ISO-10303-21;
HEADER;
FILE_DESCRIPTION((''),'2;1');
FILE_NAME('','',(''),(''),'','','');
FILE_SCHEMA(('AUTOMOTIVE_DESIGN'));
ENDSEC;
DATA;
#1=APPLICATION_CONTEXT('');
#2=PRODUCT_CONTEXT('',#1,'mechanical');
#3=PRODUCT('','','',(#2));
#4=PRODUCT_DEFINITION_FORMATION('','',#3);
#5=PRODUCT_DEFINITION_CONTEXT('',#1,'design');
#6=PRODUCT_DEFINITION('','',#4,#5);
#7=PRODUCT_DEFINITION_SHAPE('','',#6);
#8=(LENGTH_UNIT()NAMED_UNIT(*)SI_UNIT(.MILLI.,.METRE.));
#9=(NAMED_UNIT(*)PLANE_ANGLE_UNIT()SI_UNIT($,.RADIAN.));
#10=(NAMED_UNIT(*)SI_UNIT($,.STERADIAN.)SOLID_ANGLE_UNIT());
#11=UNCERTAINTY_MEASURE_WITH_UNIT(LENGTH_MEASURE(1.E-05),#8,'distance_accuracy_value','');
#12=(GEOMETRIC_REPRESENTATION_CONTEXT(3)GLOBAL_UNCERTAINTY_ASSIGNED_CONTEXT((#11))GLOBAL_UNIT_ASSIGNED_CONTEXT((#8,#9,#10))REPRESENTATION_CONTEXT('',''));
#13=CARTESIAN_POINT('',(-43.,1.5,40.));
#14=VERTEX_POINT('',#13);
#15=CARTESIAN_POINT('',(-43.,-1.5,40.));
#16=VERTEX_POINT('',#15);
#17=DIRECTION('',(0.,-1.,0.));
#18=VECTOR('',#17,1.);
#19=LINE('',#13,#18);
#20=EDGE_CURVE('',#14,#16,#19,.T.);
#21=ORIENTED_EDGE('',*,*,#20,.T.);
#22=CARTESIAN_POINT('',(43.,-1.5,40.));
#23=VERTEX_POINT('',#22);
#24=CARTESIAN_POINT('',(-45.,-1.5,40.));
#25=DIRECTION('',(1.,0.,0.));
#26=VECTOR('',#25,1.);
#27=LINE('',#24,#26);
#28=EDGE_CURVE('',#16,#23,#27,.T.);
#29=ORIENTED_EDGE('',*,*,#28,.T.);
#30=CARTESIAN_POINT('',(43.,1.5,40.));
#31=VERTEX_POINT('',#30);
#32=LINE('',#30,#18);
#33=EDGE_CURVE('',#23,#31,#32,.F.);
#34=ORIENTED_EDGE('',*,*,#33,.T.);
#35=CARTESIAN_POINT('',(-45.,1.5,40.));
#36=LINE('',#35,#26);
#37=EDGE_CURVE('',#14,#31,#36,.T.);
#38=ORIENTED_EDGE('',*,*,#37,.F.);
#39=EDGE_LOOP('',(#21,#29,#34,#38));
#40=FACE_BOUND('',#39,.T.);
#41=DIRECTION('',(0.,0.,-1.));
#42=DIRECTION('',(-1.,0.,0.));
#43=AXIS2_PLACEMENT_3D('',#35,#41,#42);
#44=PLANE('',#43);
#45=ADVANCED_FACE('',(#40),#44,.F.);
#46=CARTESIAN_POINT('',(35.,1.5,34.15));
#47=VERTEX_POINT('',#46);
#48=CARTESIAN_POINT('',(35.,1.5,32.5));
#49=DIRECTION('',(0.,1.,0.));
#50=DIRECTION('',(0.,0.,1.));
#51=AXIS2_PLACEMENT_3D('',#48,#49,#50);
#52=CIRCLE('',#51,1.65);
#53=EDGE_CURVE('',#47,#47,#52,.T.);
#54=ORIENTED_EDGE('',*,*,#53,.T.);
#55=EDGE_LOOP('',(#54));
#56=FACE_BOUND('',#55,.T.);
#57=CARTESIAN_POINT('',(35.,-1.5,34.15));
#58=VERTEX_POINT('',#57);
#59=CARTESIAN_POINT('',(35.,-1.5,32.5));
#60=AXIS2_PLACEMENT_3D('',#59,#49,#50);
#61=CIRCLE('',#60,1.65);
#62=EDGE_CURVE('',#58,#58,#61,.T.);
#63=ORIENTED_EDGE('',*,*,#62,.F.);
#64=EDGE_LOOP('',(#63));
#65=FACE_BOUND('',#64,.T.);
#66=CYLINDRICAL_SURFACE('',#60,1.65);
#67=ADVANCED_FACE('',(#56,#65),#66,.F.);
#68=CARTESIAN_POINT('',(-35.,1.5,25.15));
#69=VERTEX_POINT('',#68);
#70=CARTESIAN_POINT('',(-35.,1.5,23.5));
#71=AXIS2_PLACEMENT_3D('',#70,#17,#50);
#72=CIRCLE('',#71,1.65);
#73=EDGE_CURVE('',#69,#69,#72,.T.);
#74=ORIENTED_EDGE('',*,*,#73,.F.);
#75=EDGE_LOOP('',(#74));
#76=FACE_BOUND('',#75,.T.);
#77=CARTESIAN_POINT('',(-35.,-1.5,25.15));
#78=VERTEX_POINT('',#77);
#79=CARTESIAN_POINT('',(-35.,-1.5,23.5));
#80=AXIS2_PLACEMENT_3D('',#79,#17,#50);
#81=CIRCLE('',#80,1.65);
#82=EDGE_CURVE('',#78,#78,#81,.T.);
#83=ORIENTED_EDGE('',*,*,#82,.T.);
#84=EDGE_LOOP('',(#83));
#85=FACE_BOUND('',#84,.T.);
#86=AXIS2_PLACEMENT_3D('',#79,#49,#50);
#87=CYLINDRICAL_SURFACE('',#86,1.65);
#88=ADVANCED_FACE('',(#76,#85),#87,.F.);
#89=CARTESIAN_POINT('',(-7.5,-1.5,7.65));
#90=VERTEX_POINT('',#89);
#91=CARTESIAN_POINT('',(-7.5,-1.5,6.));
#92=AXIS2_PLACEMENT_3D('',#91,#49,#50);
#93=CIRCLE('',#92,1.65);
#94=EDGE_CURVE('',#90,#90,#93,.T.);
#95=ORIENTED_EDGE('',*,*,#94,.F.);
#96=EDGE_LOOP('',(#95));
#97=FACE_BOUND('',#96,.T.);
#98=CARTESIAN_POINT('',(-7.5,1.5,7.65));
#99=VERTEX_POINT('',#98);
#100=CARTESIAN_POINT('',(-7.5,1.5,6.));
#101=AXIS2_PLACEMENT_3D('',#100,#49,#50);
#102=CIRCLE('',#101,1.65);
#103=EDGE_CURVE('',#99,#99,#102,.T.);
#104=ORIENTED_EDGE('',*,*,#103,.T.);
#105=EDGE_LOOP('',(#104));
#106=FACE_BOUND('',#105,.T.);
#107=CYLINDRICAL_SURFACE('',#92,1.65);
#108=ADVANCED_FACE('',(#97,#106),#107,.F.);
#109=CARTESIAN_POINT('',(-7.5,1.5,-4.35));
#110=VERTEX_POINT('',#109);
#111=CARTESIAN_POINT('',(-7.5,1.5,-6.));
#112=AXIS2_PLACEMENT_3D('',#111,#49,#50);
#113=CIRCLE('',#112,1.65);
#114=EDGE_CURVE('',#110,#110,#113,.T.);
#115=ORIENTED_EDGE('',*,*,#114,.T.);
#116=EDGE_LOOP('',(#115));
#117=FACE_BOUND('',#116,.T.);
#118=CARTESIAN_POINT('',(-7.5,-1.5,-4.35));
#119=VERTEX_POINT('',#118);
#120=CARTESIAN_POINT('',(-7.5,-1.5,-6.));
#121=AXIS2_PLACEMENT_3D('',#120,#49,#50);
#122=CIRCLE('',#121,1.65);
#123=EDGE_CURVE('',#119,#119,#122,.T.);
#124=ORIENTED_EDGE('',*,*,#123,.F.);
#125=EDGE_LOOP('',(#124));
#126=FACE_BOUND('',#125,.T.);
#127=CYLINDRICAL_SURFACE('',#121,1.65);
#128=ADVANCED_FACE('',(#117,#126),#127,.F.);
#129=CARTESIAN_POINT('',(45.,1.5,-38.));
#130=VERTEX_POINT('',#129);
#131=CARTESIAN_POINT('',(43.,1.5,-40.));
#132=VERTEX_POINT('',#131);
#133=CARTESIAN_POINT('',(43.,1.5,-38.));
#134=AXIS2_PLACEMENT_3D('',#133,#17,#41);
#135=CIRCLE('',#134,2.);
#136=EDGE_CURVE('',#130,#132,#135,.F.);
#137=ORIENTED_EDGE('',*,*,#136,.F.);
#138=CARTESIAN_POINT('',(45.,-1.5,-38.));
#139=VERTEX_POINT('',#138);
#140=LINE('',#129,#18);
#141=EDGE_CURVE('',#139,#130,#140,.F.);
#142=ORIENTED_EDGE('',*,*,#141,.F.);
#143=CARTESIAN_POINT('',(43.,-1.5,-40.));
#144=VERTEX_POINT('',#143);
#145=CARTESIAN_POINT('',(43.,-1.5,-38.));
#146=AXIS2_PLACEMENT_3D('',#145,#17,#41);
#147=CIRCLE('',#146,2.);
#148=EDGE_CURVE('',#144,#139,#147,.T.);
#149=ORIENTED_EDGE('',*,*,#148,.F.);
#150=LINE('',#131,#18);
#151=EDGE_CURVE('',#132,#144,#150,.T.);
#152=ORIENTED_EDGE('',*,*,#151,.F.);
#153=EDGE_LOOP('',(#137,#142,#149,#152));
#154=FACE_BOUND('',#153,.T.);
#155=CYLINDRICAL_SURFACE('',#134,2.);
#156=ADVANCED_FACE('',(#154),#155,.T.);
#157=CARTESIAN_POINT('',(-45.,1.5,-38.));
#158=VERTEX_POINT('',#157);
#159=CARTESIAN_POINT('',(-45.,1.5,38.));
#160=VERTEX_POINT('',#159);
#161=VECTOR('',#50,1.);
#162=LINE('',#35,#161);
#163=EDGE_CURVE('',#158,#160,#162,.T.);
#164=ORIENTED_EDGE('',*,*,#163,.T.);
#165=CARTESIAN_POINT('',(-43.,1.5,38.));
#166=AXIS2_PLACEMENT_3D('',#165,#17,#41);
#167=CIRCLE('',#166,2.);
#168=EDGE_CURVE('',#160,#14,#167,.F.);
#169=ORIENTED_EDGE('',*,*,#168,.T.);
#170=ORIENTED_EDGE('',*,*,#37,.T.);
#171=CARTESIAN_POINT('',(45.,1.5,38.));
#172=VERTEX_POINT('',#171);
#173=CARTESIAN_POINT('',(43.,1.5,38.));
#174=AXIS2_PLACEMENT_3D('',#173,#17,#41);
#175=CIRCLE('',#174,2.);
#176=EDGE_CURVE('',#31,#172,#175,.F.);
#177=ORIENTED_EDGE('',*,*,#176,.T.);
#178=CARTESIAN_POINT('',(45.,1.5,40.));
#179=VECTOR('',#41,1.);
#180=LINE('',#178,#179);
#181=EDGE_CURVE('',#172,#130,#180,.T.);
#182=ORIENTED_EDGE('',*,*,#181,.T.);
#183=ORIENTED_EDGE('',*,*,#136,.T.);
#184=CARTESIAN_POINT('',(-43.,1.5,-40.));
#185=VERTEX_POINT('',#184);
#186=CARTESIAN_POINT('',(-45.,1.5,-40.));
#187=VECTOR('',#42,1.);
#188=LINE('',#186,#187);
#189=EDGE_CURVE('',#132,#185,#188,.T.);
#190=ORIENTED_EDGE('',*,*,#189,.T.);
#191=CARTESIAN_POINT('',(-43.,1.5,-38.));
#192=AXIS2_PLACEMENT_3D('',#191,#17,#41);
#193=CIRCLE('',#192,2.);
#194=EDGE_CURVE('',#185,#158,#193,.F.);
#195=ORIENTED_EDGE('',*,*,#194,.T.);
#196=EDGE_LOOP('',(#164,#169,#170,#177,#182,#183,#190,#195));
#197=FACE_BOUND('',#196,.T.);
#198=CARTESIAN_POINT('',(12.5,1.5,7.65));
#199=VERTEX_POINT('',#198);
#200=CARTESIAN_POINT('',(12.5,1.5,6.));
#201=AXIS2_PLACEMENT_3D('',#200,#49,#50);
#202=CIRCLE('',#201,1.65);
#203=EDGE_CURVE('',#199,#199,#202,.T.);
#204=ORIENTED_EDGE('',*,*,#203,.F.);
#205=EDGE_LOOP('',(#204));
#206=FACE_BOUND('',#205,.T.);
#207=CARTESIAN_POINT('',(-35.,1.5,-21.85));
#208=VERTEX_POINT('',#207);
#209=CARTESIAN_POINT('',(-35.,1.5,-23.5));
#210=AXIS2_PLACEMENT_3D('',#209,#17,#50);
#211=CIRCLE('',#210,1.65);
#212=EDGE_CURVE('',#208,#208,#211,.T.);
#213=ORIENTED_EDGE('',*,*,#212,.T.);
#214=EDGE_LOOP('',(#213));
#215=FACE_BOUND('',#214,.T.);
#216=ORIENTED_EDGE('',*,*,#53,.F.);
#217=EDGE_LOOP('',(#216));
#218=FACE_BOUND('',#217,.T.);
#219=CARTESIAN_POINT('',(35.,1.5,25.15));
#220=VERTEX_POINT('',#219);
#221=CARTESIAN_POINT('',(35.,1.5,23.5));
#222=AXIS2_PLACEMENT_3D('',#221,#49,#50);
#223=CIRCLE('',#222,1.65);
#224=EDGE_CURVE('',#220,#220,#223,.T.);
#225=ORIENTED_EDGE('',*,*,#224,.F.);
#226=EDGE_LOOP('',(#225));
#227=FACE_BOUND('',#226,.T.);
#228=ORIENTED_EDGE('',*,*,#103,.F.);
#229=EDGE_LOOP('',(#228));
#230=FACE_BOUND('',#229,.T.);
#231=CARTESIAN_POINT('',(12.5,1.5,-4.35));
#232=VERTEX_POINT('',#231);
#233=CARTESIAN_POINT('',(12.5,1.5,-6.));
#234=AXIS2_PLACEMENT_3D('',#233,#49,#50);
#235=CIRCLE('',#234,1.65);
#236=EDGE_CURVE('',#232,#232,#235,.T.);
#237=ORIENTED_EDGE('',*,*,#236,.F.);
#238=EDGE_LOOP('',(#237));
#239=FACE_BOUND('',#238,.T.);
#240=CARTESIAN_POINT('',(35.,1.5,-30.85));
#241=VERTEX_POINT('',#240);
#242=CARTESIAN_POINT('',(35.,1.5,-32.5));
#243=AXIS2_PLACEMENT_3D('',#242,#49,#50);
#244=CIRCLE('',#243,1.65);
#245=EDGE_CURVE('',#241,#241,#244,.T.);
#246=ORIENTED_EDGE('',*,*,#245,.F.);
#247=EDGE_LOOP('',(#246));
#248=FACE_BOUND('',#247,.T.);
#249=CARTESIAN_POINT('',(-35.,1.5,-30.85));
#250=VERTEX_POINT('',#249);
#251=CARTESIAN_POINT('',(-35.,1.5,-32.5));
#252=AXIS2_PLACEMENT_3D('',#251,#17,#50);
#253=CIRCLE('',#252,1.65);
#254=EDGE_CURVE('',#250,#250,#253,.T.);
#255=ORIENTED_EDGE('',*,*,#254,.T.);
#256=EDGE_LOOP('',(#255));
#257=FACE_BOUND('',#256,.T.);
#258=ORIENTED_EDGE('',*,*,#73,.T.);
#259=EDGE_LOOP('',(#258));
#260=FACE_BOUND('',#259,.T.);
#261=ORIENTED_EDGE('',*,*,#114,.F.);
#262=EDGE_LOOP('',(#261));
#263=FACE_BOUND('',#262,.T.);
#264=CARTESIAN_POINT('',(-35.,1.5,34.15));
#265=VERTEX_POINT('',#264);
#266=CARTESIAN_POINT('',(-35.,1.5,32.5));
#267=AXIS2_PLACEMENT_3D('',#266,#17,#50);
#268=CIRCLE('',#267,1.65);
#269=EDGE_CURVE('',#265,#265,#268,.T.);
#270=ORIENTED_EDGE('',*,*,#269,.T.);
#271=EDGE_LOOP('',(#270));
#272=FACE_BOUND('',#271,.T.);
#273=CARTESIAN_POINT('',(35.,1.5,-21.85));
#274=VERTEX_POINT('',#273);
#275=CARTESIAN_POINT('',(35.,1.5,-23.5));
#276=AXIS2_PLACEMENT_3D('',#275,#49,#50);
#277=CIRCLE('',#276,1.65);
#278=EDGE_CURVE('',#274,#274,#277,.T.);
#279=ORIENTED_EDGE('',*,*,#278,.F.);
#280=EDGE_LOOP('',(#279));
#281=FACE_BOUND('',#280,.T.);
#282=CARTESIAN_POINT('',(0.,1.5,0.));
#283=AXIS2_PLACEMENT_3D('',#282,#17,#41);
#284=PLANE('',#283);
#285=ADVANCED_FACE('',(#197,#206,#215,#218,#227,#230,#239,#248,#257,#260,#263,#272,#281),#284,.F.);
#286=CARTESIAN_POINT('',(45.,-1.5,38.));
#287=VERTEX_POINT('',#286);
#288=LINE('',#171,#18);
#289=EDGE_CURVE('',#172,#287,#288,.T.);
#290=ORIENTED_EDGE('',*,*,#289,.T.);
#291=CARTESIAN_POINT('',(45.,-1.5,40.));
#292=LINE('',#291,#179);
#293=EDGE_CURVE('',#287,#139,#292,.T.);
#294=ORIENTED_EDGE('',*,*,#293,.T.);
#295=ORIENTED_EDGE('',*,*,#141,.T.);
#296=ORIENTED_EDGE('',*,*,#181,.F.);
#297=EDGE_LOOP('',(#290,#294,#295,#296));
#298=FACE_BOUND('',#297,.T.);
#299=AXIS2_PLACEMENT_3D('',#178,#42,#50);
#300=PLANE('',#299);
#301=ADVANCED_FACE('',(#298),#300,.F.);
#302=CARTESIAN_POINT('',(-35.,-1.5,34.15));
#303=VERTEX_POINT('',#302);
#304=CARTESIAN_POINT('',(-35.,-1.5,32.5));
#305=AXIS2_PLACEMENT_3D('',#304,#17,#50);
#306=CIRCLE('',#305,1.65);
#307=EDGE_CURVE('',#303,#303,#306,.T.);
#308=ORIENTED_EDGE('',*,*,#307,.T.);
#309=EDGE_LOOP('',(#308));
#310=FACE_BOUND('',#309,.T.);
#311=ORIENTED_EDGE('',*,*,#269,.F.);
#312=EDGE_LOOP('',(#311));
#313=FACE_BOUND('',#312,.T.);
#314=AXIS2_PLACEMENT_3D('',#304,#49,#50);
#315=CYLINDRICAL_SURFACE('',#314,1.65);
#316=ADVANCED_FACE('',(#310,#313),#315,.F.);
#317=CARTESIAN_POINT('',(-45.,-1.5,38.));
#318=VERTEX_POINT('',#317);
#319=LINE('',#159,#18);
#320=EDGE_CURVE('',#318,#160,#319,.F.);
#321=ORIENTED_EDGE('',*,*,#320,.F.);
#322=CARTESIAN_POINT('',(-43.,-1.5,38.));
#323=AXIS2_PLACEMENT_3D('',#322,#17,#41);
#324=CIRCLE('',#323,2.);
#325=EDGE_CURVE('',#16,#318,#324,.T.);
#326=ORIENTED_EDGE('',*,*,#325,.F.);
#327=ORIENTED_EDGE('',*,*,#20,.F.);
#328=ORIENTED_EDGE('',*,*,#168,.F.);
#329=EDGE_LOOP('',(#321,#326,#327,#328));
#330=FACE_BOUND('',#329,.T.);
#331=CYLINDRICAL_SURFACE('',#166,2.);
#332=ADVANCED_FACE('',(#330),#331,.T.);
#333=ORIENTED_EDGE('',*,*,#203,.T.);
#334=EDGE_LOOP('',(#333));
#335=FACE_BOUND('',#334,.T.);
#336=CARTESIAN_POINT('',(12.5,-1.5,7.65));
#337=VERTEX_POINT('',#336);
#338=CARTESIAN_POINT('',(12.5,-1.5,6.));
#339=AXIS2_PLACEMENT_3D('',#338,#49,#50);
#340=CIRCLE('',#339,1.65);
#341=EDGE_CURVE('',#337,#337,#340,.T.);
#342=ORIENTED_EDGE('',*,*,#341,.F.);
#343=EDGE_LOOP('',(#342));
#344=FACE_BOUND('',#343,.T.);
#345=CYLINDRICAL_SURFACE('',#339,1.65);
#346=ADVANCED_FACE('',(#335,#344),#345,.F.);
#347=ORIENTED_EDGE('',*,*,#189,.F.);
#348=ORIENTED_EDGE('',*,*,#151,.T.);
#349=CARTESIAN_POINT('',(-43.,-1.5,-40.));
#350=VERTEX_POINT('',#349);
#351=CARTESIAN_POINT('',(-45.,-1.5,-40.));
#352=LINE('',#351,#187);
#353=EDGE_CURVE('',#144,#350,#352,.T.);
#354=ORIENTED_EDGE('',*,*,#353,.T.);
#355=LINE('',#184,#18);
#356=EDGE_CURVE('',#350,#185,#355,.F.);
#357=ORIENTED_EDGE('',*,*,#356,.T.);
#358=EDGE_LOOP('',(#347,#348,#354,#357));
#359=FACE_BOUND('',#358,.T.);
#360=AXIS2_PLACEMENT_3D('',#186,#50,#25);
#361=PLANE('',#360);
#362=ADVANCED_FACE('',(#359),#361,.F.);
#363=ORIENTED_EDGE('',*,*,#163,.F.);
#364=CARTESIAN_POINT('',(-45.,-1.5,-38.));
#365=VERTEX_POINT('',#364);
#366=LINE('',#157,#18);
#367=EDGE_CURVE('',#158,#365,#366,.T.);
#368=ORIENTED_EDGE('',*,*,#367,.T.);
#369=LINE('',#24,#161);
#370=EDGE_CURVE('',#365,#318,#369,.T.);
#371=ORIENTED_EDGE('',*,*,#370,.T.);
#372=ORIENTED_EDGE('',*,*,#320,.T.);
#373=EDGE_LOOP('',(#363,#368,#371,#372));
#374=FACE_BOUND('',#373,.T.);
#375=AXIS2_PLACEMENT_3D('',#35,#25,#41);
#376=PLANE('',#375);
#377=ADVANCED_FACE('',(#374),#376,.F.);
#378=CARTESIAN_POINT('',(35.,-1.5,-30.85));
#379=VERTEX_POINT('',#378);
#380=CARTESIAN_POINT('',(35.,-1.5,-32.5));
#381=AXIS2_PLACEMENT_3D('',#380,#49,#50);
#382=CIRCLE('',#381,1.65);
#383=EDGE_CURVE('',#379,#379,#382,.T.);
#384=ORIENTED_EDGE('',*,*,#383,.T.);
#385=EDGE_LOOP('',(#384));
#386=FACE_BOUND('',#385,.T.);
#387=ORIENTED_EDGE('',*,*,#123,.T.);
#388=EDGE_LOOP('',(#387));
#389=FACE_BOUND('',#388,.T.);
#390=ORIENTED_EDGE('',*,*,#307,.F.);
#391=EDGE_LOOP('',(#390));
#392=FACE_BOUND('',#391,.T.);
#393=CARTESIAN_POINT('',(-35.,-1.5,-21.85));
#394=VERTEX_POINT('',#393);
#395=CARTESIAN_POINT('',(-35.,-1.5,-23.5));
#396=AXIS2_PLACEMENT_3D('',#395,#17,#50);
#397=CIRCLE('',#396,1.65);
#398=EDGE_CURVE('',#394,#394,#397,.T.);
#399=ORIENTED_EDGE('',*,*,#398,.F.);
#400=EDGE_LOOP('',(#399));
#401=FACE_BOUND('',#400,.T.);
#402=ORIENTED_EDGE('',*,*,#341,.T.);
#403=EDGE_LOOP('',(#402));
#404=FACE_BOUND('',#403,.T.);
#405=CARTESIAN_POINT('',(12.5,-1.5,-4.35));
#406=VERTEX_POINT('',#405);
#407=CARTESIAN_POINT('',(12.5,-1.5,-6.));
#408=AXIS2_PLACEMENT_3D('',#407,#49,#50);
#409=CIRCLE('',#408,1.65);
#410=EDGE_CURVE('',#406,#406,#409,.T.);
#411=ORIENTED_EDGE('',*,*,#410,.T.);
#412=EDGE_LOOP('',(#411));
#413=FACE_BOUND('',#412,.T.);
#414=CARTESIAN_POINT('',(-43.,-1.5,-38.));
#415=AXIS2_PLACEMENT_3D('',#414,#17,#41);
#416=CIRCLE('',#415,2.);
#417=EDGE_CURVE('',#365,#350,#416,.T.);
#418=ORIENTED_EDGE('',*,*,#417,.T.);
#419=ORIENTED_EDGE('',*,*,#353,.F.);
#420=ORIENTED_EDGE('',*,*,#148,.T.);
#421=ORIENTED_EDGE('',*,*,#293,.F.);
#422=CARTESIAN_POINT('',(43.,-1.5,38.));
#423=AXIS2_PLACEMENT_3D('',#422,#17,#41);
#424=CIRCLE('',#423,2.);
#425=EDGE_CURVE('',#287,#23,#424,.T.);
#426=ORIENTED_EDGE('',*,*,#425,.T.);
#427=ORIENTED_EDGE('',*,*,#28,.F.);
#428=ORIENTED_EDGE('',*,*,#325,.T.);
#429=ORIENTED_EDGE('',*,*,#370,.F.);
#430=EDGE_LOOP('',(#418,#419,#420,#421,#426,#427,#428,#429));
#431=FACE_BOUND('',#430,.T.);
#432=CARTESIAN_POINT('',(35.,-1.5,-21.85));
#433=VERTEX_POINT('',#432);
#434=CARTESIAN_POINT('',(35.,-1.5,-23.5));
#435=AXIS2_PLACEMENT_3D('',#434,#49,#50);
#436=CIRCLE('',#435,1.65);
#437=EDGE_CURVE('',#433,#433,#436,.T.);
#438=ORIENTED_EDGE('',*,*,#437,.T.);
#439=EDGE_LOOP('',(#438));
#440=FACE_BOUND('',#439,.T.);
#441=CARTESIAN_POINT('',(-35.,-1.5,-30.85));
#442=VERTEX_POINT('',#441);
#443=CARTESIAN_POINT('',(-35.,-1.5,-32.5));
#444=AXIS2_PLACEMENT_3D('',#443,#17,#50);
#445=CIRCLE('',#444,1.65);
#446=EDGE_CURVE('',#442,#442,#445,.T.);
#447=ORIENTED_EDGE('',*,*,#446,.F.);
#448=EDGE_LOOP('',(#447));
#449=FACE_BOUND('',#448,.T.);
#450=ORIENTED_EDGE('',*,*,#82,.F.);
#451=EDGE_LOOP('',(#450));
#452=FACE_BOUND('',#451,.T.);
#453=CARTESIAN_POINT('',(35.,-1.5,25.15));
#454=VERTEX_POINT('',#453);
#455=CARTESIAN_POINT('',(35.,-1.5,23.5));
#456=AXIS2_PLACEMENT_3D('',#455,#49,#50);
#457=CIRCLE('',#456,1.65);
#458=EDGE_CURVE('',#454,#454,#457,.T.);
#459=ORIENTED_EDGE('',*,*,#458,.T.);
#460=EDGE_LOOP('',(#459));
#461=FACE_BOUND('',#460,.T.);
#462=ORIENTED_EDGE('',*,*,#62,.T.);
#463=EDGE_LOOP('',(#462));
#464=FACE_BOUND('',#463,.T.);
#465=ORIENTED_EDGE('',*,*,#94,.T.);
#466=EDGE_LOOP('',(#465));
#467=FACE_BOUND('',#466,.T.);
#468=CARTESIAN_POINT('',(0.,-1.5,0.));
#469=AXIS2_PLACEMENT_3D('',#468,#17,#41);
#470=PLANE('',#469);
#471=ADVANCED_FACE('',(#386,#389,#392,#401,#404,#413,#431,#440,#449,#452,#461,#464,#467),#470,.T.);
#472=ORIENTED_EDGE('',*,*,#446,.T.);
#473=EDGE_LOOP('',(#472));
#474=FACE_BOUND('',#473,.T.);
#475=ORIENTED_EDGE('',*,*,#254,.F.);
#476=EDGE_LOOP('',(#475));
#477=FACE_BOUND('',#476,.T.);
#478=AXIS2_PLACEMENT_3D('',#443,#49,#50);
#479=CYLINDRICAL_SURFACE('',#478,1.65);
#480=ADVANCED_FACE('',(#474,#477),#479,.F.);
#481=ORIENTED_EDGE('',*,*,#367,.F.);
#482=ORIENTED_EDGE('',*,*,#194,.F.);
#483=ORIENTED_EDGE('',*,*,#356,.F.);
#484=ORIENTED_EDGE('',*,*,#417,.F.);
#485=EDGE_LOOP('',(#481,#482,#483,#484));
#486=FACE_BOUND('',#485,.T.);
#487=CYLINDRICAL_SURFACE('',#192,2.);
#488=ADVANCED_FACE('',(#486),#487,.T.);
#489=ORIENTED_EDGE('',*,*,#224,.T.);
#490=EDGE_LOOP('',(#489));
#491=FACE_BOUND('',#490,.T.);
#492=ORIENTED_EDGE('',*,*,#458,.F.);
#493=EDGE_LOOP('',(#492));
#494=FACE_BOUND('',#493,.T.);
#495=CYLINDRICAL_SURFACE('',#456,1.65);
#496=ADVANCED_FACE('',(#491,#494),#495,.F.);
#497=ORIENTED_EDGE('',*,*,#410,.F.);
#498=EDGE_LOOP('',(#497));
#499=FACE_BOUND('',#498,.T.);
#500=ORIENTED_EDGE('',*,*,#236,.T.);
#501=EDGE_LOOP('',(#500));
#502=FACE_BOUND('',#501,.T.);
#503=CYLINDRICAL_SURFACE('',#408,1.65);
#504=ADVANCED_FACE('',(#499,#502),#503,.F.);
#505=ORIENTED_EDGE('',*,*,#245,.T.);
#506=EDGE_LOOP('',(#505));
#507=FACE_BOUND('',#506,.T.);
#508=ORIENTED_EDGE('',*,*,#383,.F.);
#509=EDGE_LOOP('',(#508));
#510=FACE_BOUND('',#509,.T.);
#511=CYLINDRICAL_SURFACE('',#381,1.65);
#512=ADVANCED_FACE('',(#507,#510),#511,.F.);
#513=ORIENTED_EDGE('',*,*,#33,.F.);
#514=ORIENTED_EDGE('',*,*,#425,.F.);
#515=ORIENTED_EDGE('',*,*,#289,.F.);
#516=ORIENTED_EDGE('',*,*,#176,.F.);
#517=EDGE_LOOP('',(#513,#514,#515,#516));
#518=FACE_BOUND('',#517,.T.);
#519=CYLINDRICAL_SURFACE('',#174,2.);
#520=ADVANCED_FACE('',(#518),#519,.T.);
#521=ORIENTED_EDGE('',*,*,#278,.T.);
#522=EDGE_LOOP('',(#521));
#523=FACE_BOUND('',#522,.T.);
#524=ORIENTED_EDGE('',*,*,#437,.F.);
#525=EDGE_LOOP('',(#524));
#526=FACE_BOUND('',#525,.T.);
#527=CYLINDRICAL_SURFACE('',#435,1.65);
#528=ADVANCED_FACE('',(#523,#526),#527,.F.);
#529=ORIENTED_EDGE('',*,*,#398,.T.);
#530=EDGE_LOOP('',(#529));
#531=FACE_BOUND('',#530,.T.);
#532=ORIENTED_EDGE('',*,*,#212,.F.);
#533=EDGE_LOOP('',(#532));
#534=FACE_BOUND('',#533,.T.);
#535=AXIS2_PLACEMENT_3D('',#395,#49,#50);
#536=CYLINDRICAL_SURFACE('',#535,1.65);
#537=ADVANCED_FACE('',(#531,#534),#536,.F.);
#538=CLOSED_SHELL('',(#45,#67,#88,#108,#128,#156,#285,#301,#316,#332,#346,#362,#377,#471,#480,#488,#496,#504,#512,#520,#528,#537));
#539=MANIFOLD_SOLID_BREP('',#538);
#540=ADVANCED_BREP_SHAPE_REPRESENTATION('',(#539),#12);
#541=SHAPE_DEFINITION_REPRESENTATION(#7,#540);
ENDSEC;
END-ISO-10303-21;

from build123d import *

# Parameters (mm, degrees)
SKETCH_1_W          = 90
SKETCH_1_H          = 80
EXTRUDE_1_DEPTH     = 1.5
SKETCH_2_R          = 1.65
CUT_EXTRUDE_1_DEPTH = 3
FILLET_1_R          = 2
SKETCH_3_R          = 1.65
CUT_EXTRUDE_2_DEPTH = 3


with BuildPart() as part:
    # 草图1 → 凸台-拉伸1 (new, symmetric)
    with BuildSketch(Plane(origin=(0, 0, 0), x_dir=(1, 0, 0), z_dir=(0, 1, 0))):
        Rectangle(SKETCH_1_W, SKETCH_1_H)
    extrude(amount=EXTRUDE_1_DEPTH, both=True)

    # 草图2 → 切除-拉伸1 (cut)
    with BuildSketch(Plane(origin=(0, 1.5, 0), x_dir=(1, 0, 0), z_dir=(0, 1, 0))):
        with Locations(Location((12.5, 6, 0), (0, 0, 270))):
            Circle(SKETCH_2_R)
        with Locations(Location((-7.5, 6, 0), (0, 0, 270))):
            Circle(SKETCH_2_R)
        with Locations(Location((-7.5, -6, 0), (0, 0, 270))):
            Circle(SKETCH_2_R)
        with Locations(Location((12.5, -6, 0), (0, 0, 270))):
            Circle(SKETCH_2_R)
    extrude(amount=-CUT_EXTRUDE_1_DEPTH, mode=Mode.SUBTRACT)

    # 圆角1
    fillet_1_edges = [part.edges().sort_by_distance(p)[0] for p in [
        (45, 0, 40),
        (-45, 0, 40),
        (-45, 0, -40),
        (45, 0, -40),
    ]]
    fillet(fillet_1_edges, radius=FILLET_1_R)

    # 草图3 → 切除-拉伸2 (cut)
    with BuildSketch(Plane(origin=(0, 1.5, 0), x_dir=(1, 0, 0), z_dir=(0, 1, 0))):
        with Locations(Location((35, 32.5, 0), (0, 0, 270))):
            Circle(SKETCH_3_R)
        with Locations(Location((35, 23.5, 0), (0, 0, 270))):
            Circle(SKETCH_3_R)
        with Locations(Location((35, -23.5, 0), (0, 0, 270))):
            Circle(SKETCH_3_R)
        with Locations(Location((35, -32.5, 0), (0, 0, 270))):
            Circle(SKETCH_3_R)
    cut_extrude_2 = extrude(amount=-CUT_EXTRUDE_2_DEPTH, mode=Mode.SUBTRACT)

    # 镜向1: 切除-拉伸2 across plane
    add(cut_extrude_2.mirror(Plane(origin=(0, 0, 0), x_dir=(0, 0, 1), z_dir=(1, 0, 0))), mode=Mode.SUBTRACT)

    # 镜向1 at the second plane: 切除-拉伸2 across plane
    add(cut_extrude_2.mirror(Plane.XY), mode=Mode.SUBTRACT)


solid = part.part
